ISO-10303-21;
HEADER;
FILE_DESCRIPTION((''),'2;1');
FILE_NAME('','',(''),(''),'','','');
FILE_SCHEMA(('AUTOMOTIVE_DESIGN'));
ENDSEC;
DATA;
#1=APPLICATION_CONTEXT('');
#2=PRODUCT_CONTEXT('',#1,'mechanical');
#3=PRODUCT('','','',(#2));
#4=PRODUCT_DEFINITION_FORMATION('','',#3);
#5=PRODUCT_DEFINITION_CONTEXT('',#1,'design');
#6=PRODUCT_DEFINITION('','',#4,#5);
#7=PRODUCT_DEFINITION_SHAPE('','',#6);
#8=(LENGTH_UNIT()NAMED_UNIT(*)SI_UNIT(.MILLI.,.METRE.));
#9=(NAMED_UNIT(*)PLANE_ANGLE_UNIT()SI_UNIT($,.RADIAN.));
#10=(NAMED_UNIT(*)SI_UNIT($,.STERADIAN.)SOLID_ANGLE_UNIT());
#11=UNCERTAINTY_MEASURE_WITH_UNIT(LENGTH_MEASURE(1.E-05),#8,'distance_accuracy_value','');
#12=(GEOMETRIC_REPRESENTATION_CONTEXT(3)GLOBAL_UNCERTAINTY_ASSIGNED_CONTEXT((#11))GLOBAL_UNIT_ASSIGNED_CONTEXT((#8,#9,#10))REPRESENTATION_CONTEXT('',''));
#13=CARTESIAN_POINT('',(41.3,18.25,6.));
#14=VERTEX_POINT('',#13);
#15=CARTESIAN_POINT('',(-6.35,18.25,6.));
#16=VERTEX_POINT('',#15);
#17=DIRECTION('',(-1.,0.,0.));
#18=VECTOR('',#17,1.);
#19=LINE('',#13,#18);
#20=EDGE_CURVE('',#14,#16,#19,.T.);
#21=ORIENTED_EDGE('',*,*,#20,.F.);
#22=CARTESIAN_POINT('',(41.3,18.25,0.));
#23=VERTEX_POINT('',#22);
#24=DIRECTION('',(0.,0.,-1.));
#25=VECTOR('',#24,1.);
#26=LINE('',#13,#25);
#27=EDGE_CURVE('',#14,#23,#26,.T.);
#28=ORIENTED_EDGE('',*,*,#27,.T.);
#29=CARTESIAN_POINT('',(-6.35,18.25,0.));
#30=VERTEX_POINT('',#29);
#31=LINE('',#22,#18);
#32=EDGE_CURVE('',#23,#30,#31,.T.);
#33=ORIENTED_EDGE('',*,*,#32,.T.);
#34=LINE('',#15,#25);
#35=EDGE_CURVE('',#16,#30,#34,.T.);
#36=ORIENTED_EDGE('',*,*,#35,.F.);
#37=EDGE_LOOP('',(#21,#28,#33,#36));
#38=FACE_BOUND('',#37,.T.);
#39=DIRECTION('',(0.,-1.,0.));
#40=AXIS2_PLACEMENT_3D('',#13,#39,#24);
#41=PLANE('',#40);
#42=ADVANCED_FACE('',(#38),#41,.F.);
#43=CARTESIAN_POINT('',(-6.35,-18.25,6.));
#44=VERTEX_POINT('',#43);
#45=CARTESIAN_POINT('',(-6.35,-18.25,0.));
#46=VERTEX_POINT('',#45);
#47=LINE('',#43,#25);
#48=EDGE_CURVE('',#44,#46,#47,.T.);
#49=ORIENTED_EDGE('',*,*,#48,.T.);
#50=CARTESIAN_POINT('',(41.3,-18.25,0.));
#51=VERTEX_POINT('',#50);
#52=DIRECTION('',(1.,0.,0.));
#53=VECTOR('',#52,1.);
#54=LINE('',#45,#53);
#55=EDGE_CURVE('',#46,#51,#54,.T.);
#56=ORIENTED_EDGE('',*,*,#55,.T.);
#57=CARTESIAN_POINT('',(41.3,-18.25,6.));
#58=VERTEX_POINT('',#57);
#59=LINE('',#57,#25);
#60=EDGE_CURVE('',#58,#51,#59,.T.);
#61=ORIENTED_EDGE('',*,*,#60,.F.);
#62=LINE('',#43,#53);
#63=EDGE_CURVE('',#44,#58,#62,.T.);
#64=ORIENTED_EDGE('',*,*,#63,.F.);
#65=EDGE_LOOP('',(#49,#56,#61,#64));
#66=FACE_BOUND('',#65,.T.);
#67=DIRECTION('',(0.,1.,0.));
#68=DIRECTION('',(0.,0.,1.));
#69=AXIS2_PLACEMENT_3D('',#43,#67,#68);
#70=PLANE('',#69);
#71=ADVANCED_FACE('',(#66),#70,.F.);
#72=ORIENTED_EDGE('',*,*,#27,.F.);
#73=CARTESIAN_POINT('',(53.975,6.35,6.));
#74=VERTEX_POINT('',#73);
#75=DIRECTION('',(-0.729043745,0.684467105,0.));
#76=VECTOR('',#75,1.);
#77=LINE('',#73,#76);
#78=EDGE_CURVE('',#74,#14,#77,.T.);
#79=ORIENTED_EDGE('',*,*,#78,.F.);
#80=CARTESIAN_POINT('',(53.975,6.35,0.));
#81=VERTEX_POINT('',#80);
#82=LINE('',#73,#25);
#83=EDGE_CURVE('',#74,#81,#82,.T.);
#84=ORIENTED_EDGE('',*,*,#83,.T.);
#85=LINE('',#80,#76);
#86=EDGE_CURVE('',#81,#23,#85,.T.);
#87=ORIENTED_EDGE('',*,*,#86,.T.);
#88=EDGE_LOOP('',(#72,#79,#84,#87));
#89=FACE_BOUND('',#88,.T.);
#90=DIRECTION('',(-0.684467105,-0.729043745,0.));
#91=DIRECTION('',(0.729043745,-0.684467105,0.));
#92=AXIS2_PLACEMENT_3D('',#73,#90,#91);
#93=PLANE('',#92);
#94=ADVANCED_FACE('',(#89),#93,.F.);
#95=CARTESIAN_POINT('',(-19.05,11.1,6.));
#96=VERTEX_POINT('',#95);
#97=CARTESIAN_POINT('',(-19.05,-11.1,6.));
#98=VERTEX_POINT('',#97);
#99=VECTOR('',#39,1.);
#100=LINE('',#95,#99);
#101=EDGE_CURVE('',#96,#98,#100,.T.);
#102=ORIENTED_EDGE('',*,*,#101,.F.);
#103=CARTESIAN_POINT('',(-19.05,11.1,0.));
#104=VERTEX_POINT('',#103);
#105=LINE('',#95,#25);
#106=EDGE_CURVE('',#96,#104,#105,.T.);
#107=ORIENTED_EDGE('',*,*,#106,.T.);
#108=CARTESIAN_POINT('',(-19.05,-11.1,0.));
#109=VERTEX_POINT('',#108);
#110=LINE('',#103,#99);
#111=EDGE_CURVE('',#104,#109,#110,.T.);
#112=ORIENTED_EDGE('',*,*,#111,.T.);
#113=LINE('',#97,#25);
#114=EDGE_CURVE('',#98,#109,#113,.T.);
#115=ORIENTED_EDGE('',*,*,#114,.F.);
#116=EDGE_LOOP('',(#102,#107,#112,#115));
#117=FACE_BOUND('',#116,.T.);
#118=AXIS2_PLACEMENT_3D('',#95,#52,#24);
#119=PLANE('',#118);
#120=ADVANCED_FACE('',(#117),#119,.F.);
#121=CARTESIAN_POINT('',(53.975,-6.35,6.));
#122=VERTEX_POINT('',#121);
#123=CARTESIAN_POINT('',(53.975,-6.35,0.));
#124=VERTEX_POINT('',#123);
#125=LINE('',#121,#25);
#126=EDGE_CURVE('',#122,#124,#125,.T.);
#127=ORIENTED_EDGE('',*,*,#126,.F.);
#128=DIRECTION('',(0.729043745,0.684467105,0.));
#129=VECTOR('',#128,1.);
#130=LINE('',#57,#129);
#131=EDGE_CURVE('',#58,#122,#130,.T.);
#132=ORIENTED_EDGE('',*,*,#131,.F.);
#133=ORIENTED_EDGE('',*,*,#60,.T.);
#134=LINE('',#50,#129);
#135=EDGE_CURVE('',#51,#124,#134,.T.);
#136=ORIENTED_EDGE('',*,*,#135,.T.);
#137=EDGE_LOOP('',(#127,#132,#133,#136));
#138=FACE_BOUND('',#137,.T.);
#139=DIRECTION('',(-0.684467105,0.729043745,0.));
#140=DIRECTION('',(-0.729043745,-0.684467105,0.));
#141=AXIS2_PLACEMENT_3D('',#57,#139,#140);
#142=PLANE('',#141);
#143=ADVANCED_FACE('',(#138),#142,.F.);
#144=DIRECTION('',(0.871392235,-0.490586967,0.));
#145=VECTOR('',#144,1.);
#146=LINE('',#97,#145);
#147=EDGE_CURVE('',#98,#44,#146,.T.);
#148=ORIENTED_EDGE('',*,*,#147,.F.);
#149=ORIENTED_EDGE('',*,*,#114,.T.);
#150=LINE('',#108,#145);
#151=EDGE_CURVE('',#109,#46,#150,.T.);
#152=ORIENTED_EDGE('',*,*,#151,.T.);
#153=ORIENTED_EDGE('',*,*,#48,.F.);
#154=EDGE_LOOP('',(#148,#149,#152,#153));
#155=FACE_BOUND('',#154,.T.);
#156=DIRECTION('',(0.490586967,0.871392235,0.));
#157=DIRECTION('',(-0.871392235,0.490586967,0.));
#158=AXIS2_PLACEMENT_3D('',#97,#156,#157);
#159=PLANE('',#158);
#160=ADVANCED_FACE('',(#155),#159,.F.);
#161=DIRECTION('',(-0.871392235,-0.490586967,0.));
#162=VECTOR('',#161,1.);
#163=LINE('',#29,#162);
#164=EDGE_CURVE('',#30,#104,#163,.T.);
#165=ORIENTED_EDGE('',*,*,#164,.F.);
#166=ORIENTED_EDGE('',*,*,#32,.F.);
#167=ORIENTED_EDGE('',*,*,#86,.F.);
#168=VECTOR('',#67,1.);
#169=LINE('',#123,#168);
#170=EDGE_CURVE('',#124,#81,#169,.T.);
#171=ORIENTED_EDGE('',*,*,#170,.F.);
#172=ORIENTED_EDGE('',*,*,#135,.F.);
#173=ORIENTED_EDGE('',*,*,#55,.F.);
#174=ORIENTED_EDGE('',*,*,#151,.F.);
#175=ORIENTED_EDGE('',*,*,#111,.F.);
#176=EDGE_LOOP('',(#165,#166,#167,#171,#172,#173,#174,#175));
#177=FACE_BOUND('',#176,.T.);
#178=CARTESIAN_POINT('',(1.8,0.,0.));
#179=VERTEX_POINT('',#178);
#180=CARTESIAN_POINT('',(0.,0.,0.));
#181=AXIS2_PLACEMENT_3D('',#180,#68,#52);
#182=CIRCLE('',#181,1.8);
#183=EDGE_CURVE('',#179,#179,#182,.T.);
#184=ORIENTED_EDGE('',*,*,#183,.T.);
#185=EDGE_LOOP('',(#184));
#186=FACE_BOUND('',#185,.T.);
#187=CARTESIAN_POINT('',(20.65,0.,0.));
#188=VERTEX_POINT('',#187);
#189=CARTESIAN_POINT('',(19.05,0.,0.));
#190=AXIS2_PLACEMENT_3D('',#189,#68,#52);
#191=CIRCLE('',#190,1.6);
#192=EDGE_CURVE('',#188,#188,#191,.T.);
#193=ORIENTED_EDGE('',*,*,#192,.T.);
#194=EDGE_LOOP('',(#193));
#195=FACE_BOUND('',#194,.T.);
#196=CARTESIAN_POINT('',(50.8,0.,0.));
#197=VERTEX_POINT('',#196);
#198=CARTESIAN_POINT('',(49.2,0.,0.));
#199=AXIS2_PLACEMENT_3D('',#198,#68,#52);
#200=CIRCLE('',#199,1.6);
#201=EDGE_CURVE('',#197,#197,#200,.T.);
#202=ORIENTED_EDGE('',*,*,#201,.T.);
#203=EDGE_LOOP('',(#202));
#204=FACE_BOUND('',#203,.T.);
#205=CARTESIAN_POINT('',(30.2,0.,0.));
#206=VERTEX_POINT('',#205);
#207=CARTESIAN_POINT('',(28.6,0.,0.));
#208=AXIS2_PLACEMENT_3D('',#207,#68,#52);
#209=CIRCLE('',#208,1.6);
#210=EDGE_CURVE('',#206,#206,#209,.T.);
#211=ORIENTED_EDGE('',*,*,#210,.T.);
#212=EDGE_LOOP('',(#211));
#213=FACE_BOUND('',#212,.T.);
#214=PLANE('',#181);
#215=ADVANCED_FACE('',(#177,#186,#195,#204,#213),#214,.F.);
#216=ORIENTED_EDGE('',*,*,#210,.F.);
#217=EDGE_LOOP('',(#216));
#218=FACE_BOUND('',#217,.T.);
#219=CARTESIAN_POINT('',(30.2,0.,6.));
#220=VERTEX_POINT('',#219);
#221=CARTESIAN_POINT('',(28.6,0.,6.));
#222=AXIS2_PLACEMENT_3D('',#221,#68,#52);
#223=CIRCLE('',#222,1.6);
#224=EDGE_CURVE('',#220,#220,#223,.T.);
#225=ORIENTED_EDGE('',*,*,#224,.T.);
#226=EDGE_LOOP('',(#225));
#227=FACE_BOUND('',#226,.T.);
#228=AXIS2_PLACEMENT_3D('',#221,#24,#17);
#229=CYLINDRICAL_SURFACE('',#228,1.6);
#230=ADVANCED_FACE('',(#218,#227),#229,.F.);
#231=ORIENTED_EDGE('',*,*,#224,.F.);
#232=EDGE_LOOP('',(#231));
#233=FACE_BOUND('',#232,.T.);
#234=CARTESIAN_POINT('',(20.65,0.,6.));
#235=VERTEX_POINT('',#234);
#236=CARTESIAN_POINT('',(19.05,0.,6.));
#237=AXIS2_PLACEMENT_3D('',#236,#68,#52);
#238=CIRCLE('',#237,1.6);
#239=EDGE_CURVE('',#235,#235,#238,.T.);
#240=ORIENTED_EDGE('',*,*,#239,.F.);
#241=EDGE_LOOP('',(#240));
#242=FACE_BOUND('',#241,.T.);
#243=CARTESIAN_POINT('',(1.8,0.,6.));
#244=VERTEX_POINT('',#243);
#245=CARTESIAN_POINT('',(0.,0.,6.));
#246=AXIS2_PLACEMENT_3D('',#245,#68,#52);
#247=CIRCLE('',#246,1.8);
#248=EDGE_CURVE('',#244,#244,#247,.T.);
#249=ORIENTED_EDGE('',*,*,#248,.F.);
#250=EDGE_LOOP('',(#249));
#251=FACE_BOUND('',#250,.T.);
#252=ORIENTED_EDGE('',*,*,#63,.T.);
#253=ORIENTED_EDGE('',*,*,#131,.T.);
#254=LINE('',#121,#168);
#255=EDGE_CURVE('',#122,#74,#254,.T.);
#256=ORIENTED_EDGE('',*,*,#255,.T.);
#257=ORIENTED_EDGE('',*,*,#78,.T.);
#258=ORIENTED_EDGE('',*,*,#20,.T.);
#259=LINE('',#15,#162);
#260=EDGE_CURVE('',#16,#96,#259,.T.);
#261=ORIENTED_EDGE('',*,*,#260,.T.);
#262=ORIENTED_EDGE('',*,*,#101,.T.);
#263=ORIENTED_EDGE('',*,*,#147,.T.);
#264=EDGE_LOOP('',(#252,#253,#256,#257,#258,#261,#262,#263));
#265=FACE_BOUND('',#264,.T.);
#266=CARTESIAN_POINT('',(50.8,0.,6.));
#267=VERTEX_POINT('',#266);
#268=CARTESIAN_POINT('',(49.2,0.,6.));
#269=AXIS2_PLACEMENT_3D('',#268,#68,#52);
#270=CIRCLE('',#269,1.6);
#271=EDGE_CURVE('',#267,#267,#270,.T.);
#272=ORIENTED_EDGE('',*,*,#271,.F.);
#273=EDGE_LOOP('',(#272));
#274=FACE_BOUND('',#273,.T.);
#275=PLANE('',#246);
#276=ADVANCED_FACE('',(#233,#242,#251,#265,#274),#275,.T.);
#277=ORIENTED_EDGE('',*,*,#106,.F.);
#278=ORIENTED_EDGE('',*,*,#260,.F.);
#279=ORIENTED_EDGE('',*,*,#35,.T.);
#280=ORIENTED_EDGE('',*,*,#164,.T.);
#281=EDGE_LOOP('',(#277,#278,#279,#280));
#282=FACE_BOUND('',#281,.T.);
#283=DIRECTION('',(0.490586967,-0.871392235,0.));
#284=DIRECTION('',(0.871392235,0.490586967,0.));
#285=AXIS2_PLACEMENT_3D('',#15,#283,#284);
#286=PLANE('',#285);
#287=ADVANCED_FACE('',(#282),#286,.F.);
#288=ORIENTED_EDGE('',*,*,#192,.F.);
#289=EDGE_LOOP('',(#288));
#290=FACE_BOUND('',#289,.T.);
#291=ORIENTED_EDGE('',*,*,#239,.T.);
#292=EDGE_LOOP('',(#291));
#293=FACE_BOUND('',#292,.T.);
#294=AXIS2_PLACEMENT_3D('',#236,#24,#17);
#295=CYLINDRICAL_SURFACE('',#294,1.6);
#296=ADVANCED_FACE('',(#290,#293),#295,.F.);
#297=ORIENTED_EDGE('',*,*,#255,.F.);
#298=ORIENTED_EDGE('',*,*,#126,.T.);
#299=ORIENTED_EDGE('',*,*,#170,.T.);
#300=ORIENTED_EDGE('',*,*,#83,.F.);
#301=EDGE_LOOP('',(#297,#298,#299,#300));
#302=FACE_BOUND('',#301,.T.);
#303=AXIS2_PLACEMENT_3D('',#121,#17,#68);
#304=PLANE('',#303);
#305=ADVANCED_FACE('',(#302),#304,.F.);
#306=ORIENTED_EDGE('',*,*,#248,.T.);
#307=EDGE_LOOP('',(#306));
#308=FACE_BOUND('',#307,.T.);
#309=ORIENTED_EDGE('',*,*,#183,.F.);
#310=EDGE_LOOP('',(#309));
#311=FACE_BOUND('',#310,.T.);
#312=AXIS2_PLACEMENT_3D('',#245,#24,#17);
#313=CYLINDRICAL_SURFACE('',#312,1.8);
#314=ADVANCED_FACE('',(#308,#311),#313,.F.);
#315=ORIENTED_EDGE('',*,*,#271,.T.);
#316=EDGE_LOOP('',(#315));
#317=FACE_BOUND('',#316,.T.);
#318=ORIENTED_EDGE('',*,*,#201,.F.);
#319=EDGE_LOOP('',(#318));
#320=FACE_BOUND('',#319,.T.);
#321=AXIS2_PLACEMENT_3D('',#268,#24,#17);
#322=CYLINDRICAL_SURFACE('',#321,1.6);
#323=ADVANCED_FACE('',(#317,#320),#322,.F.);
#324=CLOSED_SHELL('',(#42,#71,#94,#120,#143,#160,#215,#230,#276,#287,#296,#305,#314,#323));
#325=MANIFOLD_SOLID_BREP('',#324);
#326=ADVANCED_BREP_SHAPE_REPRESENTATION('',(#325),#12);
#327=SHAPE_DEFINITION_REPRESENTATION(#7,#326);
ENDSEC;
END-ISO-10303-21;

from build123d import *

# Parameters (mm, degrees)
SKETCH1_R           = 1.6
SKETCH1_R_2         = 1.8
BOSS_EXTRUDE1_DEPTH = 6


with BuildPart() as part:
    # Sketch1 → Boss-Extrude1 (new body)
    with BuildSketch(Plane.XY):
        Polygon((-19.05, -11.1), (-6.35, -18.25), (41.3, -18.25), (53.975, -6.35), (53.975, 6.35), (41.3, 18.25), (-6.35, 18.25), (-19.05, 11.1), align=None)
        with Locations((19.05, 0)):
            Circle(SKETCH1_R, mode=Mode.SUBTRACT)
        with Locations((28.6, 0)):
            Circle(SKETCH1_R, mode=Mode.SUBTRACT)
        with Locations((49.2, 0)):
            Circle(SKETCH1_R, mode=Mode.SUBTRACT)
        Circle(SKETCH1_R_2, mode=Mode.SUBTRACT)
    extrude(amount=BOSS_EXTRUDE1_DEPTH)


solid = part.part
